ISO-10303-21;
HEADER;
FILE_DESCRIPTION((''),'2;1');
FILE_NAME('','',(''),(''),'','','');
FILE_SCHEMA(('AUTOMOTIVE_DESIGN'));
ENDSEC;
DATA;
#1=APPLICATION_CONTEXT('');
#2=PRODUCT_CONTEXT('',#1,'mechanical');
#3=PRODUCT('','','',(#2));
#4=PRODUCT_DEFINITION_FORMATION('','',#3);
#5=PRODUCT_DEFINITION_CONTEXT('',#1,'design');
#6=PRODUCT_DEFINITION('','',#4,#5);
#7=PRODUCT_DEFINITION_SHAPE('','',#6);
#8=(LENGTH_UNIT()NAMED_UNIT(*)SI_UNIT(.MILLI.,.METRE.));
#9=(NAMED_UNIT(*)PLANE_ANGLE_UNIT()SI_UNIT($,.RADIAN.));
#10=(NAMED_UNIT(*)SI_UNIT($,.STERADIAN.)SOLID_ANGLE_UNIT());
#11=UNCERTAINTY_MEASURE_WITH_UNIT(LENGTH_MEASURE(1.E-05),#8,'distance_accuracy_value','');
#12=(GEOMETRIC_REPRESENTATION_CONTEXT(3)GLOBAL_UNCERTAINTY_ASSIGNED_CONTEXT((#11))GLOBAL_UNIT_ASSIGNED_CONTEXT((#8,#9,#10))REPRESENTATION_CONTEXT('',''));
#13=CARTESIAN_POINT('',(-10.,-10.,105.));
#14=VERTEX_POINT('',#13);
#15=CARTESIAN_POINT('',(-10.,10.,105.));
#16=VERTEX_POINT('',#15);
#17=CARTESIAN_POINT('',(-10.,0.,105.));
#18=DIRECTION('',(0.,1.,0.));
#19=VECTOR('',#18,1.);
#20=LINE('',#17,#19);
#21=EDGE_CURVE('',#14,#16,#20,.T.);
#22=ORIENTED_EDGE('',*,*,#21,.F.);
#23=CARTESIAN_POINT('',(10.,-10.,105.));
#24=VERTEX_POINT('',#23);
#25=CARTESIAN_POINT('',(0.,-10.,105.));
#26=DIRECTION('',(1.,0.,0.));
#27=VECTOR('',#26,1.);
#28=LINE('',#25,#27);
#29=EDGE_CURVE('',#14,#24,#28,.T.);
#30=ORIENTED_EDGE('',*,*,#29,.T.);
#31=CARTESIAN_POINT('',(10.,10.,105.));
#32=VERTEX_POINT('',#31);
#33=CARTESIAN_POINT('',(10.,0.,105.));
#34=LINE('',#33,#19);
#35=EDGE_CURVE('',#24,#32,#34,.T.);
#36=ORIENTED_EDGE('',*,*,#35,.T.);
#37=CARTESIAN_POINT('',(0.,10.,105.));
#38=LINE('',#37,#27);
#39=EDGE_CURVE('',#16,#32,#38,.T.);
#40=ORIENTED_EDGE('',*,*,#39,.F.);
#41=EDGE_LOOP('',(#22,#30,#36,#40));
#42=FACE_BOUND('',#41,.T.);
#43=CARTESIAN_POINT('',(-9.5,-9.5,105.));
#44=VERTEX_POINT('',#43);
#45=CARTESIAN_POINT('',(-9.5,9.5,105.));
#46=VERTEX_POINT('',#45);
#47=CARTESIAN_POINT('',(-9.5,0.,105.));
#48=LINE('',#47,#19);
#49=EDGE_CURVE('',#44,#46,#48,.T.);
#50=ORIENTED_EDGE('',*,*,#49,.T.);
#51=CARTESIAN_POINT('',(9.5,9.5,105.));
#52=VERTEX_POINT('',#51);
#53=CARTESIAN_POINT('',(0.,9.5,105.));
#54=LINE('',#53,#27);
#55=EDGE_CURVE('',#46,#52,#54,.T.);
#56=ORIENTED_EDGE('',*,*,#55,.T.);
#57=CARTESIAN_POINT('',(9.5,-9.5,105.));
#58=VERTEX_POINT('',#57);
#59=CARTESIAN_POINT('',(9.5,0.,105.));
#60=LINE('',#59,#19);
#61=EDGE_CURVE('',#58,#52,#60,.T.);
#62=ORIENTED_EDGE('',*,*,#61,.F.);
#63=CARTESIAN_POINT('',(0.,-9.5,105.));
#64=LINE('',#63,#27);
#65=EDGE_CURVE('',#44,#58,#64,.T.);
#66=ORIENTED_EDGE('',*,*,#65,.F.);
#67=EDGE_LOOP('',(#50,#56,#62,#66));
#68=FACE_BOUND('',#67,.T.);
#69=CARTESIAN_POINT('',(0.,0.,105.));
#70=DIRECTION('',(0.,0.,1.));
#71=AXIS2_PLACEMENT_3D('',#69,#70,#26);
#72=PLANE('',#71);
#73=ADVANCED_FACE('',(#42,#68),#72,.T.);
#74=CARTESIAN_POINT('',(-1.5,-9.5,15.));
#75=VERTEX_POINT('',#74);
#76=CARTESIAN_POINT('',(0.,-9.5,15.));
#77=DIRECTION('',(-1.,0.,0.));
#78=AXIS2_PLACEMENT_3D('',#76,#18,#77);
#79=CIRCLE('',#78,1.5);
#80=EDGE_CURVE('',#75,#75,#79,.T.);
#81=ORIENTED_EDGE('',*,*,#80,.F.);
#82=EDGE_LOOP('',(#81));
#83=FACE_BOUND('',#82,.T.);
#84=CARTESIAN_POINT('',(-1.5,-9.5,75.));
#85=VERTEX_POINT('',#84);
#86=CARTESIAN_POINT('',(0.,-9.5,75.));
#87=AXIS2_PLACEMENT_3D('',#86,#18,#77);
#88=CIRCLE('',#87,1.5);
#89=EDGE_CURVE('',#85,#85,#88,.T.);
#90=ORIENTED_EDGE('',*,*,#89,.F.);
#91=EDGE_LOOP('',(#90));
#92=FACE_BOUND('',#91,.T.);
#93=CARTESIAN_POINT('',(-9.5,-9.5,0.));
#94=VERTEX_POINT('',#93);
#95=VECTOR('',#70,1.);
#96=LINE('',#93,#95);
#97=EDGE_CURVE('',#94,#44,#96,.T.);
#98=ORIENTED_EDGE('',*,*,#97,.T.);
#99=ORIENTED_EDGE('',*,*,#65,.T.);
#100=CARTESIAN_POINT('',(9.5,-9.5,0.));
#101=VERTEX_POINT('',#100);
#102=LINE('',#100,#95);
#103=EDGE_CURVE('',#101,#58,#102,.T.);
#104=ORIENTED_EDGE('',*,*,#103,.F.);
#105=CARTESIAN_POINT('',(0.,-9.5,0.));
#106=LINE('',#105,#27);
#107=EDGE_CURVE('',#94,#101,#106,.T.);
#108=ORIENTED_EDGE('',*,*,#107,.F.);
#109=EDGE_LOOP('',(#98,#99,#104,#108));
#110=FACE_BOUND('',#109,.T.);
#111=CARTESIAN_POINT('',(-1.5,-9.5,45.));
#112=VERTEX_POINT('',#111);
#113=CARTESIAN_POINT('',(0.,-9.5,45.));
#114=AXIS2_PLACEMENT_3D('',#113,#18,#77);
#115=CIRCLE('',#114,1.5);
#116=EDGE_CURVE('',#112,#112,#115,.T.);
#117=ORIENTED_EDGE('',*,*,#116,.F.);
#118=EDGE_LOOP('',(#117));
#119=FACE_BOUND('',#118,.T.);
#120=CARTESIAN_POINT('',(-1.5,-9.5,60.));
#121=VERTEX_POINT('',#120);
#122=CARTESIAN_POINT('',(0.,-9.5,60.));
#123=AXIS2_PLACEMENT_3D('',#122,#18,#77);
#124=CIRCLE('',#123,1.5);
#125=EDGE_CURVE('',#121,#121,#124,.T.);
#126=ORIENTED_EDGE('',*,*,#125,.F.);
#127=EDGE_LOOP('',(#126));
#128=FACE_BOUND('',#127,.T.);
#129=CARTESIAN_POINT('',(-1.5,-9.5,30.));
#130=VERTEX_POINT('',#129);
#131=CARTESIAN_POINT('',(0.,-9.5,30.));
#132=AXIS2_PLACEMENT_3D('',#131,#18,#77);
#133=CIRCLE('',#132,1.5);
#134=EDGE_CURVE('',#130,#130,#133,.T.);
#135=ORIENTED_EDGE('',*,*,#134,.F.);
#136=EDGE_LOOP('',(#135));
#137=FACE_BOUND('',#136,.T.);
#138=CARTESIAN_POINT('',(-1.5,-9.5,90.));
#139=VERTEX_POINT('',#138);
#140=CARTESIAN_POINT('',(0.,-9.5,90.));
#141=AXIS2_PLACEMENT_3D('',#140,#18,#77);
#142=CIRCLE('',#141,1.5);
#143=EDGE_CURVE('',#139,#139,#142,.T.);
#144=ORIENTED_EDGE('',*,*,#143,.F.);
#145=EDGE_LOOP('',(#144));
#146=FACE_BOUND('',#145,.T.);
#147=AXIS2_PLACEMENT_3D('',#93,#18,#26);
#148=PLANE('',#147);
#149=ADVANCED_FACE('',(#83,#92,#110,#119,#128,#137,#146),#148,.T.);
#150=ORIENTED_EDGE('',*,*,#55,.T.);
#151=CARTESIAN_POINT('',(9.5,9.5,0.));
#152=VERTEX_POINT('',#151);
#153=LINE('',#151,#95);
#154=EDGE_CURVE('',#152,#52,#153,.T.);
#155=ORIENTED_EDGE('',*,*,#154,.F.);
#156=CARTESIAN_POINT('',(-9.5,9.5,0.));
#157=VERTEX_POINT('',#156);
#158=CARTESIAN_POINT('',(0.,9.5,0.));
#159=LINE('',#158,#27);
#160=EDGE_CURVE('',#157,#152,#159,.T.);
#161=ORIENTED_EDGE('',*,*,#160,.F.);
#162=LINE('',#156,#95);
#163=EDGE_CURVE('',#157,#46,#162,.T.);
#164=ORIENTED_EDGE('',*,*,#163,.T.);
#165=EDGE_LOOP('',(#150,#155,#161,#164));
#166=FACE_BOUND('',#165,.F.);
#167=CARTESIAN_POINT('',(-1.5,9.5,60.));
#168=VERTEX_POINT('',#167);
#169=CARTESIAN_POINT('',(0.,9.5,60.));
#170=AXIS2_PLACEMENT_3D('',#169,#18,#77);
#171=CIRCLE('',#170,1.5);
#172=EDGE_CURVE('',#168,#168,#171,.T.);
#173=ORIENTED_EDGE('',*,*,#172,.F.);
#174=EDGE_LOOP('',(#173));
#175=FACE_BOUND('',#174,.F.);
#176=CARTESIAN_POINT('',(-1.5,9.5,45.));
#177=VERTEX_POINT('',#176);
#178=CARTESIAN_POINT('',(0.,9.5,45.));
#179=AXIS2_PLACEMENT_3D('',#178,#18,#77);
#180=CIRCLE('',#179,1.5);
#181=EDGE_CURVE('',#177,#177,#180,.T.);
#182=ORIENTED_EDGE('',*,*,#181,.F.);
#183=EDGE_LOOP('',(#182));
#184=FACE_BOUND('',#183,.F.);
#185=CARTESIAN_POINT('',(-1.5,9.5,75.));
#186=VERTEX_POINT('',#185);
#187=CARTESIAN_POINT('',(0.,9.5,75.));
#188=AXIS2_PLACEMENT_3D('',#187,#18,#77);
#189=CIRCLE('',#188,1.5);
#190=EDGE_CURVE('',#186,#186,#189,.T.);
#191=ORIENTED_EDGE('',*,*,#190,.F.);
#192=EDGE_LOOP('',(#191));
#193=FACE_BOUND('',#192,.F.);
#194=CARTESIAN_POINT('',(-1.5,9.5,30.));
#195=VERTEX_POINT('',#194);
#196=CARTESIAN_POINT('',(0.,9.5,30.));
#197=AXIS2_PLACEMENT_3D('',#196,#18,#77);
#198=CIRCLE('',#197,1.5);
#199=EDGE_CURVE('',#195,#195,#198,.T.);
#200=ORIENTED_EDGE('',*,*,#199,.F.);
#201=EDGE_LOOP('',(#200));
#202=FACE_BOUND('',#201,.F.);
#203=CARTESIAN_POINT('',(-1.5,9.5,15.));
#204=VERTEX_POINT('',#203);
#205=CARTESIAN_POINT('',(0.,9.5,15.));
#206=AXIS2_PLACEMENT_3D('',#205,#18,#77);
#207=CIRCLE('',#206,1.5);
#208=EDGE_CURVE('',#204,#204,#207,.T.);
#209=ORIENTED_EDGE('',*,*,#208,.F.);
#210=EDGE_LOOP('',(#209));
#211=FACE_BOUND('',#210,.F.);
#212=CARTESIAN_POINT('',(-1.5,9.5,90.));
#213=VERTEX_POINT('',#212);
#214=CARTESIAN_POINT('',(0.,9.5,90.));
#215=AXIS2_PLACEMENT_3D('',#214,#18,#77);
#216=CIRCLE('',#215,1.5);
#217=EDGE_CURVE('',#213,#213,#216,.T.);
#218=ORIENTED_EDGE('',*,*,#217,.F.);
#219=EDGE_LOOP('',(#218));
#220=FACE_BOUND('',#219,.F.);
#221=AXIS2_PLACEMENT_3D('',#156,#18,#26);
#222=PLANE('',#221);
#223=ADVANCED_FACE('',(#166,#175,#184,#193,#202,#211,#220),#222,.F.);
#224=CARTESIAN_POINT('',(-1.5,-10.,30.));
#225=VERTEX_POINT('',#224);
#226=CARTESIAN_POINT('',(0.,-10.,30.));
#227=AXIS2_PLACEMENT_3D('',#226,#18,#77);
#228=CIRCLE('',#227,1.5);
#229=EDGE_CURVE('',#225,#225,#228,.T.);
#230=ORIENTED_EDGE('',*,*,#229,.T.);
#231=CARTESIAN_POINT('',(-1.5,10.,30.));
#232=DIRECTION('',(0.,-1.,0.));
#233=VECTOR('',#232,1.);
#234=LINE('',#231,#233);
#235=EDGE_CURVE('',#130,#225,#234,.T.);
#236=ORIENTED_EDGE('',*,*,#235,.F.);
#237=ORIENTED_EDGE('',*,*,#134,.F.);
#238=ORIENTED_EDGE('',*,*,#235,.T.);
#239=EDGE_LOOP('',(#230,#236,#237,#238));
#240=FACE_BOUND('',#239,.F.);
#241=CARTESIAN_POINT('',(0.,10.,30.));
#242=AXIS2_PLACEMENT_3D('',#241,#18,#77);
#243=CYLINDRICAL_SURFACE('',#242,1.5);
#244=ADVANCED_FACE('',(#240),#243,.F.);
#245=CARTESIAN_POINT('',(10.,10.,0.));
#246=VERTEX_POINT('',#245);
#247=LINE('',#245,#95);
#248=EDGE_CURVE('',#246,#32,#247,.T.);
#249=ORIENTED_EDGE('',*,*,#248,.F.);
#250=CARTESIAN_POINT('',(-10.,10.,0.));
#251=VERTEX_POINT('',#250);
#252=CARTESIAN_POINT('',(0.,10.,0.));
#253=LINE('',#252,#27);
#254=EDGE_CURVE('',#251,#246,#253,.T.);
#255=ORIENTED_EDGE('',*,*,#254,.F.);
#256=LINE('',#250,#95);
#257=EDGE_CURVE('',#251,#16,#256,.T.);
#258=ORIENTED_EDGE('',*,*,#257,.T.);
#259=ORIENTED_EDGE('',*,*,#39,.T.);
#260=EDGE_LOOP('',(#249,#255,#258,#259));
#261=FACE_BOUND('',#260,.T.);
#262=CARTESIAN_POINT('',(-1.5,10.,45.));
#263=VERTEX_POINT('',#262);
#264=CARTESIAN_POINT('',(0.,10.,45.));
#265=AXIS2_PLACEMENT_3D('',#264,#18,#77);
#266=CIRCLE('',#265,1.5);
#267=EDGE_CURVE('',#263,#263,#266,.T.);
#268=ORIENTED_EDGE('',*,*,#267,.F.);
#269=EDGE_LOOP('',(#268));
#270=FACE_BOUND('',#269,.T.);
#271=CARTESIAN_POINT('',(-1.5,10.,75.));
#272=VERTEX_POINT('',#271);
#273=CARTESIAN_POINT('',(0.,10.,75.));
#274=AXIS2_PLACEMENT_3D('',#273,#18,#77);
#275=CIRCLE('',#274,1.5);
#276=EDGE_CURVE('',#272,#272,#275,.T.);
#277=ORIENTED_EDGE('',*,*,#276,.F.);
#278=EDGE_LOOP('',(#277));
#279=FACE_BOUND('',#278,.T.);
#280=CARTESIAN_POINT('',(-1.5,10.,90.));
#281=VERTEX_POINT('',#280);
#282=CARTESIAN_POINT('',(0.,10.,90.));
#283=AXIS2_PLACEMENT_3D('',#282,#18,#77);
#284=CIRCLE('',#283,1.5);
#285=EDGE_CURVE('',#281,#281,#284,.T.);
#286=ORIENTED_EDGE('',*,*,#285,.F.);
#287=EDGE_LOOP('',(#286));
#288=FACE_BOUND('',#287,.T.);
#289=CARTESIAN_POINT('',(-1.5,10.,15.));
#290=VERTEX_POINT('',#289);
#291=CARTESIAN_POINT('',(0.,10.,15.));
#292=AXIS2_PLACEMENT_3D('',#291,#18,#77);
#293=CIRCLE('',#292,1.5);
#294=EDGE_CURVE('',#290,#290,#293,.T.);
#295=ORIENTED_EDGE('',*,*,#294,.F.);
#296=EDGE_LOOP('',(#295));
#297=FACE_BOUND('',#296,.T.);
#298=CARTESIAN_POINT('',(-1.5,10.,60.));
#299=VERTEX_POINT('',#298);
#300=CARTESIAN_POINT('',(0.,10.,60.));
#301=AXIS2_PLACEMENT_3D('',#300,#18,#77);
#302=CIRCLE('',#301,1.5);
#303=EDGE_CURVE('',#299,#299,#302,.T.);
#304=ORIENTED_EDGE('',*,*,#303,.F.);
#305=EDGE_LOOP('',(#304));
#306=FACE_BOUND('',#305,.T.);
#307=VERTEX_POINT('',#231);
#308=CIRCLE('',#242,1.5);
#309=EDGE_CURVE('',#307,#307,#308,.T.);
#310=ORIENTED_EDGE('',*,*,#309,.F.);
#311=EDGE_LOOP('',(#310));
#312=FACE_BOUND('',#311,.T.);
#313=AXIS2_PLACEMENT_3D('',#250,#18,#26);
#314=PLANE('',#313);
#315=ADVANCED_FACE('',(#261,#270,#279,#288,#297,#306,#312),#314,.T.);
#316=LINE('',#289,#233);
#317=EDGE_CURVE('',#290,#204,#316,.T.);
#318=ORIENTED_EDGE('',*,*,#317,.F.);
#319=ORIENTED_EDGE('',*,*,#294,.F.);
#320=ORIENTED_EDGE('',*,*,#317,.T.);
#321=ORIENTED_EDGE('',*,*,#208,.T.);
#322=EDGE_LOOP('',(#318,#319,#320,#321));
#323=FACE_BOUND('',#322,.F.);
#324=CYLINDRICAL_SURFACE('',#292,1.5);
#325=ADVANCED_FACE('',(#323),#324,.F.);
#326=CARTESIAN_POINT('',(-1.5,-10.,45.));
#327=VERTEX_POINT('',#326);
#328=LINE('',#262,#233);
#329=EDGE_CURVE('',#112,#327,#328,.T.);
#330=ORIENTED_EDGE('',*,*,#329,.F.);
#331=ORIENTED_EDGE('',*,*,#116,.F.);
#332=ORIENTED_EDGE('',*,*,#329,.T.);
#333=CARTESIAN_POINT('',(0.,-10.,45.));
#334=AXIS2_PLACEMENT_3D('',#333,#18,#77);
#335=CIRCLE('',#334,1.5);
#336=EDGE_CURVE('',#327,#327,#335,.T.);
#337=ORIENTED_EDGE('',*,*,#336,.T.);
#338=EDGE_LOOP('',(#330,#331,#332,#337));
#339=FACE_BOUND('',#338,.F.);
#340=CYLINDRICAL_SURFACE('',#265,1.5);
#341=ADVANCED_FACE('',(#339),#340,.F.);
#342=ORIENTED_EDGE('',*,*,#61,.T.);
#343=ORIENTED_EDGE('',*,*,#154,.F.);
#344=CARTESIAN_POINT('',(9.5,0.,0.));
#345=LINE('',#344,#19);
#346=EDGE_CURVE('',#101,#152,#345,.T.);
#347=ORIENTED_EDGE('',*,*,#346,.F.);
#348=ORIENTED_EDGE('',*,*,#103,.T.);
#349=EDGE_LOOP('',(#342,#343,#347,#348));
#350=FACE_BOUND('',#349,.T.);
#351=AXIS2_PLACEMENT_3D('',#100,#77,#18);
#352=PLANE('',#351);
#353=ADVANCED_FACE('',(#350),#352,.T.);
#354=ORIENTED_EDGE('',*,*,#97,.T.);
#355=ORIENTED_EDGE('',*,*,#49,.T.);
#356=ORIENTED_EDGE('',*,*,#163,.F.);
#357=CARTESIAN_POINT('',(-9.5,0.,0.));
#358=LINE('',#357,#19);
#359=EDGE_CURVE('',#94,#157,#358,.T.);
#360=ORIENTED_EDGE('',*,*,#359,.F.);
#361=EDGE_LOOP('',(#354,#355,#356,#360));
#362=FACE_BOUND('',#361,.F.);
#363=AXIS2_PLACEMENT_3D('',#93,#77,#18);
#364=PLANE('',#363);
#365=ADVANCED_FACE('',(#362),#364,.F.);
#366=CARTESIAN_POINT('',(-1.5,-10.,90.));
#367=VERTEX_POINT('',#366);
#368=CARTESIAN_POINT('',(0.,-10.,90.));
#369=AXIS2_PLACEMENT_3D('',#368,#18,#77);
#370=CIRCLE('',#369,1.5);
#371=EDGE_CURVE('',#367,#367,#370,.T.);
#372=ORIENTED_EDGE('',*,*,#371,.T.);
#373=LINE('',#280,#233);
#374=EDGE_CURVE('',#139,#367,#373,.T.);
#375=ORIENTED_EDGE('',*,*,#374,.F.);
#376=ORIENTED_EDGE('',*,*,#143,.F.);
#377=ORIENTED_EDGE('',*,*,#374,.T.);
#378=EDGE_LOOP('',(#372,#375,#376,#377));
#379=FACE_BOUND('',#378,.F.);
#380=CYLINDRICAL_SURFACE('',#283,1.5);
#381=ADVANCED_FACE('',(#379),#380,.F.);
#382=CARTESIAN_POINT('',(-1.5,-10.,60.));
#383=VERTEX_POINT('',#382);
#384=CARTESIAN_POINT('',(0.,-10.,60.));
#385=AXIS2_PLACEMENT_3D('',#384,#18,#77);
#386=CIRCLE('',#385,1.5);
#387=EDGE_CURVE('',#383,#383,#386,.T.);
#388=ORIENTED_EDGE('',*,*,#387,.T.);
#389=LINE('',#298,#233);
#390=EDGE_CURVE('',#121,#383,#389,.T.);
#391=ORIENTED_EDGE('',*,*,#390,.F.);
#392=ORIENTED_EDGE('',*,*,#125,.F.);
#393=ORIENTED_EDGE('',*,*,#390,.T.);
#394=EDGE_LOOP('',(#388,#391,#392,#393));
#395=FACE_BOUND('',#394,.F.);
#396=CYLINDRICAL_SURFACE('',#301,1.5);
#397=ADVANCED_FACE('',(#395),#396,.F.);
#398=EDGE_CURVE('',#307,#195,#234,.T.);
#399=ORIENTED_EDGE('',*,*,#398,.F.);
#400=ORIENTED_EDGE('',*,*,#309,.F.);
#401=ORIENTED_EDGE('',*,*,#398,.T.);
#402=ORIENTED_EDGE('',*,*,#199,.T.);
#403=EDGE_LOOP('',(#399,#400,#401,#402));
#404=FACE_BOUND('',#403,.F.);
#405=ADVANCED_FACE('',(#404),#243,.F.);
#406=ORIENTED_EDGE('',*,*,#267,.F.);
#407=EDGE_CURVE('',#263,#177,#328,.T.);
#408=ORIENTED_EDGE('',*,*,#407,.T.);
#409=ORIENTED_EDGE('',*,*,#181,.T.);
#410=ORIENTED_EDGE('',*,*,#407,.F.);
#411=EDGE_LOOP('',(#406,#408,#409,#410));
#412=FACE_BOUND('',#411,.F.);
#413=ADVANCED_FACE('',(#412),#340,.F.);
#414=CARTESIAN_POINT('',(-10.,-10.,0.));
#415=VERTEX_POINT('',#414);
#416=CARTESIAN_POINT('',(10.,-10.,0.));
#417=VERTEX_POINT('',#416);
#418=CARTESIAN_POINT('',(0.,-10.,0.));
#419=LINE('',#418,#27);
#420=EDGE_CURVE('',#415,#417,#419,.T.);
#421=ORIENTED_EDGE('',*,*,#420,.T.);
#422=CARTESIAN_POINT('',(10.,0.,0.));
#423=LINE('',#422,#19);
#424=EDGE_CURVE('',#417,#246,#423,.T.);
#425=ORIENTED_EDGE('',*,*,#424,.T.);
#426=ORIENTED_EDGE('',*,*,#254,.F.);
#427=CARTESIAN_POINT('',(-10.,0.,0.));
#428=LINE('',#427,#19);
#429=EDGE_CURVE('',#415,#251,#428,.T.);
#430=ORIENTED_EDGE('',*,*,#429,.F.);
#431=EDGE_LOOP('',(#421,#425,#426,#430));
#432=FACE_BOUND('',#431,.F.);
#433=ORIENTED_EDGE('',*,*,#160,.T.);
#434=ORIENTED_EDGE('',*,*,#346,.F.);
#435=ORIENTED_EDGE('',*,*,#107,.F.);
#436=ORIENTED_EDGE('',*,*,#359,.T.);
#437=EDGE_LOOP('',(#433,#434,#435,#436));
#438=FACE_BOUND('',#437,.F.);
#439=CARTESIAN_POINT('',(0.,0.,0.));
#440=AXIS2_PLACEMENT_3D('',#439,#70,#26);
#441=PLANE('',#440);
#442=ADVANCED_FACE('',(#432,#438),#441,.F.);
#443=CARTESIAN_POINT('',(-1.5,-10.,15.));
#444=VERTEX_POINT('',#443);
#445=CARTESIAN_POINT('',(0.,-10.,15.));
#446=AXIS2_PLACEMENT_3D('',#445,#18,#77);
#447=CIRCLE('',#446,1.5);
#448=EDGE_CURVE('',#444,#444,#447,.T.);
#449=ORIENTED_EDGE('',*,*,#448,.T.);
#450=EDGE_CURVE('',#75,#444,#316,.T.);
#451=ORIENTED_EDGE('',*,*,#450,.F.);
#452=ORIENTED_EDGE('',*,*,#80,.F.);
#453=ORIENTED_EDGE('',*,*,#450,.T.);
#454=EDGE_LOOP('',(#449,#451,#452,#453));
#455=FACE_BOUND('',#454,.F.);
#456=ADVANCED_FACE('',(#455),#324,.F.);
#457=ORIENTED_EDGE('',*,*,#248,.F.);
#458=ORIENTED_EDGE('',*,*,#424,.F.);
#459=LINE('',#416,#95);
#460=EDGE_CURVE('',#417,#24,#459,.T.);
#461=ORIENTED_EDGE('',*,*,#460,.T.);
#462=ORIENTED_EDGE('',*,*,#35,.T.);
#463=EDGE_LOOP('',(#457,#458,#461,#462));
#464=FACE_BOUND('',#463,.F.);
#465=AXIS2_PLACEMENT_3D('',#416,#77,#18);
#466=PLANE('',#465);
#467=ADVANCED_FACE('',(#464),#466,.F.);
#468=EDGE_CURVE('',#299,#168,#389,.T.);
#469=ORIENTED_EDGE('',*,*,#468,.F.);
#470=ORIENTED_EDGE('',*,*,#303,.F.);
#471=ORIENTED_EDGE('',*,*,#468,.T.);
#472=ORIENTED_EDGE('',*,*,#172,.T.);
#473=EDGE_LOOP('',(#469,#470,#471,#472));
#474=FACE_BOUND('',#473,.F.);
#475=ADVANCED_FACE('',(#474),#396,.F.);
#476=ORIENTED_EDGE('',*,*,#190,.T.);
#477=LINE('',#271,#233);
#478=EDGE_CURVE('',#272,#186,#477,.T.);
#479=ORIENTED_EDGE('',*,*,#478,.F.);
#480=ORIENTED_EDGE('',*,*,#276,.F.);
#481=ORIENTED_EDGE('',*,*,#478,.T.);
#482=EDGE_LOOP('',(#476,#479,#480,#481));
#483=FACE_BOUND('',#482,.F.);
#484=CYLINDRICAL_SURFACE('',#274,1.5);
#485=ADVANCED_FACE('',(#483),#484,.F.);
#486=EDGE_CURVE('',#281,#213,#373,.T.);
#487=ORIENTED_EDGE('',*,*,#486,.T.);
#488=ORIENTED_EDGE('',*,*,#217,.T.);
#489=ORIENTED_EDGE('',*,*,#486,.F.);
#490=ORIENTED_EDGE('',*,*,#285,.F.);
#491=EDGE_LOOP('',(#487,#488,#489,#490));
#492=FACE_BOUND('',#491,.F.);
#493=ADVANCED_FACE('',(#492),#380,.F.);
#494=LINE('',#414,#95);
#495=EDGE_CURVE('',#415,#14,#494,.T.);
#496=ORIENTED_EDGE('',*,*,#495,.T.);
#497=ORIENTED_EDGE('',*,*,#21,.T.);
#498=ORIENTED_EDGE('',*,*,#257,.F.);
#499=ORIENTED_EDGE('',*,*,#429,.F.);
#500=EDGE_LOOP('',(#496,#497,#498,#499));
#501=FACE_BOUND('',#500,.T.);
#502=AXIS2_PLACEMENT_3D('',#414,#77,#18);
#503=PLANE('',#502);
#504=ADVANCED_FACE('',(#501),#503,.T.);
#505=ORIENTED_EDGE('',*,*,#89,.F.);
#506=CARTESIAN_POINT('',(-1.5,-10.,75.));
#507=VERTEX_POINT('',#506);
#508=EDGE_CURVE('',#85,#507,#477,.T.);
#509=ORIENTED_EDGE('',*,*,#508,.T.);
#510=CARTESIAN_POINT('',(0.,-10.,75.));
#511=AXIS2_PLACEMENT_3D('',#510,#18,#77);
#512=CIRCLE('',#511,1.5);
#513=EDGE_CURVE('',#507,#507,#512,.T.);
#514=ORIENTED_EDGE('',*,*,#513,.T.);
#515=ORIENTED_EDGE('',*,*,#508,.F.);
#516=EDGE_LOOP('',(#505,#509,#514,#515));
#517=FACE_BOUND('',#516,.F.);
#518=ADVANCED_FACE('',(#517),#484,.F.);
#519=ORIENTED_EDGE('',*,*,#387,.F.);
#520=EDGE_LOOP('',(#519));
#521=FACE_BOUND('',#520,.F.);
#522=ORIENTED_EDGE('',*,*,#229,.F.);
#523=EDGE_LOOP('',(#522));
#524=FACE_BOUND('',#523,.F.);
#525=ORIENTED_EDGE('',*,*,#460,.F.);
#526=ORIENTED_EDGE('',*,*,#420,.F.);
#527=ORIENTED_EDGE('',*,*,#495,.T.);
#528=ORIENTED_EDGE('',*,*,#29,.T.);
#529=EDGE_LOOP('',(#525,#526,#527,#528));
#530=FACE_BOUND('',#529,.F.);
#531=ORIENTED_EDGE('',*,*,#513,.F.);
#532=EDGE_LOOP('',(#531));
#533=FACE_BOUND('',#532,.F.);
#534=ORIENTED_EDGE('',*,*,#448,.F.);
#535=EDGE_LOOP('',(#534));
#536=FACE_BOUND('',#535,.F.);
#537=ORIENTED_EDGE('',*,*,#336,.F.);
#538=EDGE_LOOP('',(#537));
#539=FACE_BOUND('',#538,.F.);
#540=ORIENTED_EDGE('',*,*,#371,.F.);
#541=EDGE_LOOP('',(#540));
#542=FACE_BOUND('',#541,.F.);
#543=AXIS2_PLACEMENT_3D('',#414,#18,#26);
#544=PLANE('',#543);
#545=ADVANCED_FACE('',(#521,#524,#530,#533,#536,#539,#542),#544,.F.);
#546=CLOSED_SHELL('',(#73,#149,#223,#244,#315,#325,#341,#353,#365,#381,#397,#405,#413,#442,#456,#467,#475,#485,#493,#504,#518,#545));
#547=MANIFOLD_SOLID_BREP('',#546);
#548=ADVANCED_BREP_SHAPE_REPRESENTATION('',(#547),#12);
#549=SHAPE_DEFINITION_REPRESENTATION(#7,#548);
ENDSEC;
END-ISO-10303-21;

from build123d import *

# Parameters (mm, degrees)
F0_W     = 20
F0_H     = 20
F0_W_2   = 19
F0_H_2   = 19
F1_DEPTH = 105
F2_R     = 1.5
F3_DEPTH = 25


with BuildPart() as f1:
    # F0 (on Top) → F1 (new body)
    with BuildSketch(Plane.XY):
        Rectangle(F0_W, F0_H)
        Rectangle(F0_W_2, F0_H_2, mode=Mode.SUBTRACT)
    extrude(amount=F1_DEPTH)

    # F2 (on face) → F3 (cut)
    with BuildSketch(Plane(origin=(0, 10, 0), x_dir=(-1, 0, 0), z_dir=(0, 1, 0))):
        with Locations((0, 90)):
            Circle(F2_R)
        with Locations((0, 75)):
            Circle(F2_R)
        with Locations((0, 60)):
            Circle(F2_R)
        with Locations((0, 45)):
            Circle(F2_R)
        with Locations((0, 30)):
            Circle(F2_R)
        with Locations((0, 15)):
            Circle(F2_R)
    extrude(amount=-F3_DEPTH, mode=Mode.SUBTRACT)


solid = f1.part
